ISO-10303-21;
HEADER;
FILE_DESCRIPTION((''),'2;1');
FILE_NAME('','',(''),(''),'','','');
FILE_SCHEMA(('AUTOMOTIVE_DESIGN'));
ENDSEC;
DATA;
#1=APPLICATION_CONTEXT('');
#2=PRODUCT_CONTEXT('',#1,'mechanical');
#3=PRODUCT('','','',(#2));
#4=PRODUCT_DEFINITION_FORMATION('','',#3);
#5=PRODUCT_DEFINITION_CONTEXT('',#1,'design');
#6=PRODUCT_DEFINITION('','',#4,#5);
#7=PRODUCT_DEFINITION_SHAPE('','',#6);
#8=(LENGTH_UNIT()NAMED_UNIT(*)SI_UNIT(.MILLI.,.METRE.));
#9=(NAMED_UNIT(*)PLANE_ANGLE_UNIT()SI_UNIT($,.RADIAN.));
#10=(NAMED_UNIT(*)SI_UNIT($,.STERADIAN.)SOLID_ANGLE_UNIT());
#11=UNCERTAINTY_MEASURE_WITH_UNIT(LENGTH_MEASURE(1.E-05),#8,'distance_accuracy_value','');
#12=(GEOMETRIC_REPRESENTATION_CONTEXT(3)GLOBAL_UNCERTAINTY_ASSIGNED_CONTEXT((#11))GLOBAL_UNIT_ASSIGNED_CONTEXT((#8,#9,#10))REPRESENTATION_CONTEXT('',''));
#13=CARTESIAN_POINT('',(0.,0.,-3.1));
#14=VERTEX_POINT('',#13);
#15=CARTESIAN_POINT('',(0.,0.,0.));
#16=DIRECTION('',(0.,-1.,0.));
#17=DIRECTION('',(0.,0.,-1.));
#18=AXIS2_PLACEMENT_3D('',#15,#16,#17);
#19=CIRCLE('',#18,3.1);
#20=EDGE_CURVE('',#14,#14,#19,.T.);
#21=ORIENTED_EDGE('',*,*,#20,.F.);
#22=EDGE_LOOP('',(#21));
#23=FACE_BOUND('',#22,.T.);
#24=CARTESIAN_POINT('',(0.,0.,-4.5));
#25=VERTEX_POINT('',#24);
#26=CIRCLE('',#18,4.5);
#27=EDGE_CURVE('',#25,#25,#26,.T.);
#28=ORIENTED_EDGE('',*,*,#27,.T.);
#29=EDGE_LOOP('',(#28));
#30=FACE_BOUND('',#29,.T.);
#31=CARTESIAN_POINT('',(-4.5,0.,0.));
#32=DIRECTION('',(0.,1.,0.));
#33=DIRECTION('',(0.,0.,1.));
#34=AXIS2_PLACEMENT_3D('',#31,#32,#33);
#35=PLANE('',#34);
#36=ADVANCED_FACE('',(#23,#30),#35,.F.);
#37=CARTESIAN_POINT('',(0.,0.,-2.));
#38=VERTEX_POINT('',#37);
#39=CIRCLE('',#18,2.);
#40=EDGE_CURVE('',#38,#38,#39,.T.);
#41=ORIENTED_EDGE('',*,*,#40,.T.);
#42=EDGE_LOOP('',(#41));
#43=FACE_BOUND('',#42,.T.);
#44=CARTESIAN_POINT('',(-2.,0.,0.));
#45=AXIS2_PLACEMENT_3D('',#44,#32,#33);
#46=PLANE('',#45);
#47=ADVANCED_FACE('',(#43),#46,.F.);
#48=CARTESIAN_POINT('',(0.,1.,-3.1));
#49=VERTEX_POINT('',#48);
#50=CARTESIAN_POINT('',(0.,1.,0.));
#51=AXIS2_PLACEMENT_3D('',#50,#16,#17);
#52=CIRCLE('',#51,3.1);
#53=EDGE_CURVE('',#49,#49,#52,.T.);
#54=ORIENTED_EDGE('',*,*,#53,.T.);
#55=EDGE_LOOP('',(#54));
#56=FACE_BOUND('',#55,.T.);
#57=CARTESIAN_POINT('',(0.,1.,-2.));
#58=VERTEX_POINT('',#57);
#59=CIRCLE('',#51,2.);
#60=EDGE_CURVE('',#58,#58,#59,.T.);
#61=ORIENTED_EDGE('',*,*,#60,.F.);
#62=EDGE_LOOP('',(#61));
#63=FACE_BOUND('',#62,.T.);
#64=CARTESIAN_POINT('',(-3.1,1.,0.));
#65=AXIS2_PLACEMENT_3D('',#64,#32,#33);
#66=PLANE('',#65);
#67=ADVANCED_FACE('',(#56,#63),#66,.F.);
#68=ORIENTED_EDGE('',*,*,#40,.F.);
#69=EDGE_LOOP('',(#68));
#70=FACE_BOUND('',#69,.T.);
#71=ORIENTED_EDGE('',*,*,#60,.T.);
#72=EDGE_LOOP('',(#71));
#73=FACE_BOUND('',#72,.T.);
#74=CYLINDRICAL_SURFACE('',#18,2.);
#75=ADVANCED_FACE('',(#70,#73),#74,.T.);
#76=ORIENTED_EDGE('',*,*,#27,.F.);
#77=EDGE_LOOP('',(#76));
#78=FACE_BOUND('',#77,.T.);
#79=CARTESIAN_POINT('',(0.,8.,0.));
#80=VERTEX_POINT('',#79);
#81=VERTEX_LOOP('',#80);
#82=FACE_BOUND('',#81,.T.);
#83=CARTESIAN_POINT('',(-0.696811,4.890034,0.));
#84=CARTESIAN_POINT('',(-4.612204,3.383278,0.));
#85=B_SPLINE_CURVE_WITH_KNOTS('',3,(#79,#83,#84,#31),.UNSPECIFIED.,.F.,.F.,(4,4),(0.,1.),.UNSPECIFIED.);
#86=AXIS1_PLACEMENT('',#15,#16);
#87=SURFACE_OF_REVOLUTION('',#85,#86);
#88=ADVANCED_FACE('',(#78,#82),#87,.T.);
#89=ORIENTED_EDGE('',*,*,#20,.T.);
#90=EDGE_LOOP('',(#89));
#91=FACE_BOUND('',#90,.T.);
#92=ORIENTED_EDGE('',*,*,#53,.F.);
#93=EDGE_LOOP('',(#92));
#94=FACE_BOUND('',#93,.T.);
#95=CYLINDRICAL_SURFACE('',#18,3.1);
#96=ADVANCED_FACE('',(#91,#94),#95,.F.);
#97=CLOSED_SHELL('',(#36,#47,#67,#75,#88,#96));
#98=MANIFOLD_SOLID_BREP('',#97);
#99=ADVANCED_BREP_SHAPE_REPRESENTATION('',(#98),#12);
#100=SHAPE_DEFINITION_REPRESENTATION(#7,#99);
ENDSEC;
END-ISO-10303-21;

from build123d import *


with BuildPart() as part:
    # Sketch1 → Revolve1 (revolve)
    with BuildSketch(Plane.XY, mode=Mode.PRIVATE) as revolve1_sk:
        with BuildLine():
            Line((-4.5, 0), (-3.1, 0))
            Line((-3.1, 0), (-3.1, 1))
            Line((-3.1, 1), (-2, 1))
            Line((-2, 1), (-2, 0))
            Line((-2, 0), (0, 0))
            Line((0, 0), (0, 8))
            add(Edge.make_bspline(
                [(-4.5, 0), (-4.612204197, 3.383278047), (-0.696810992, 4.890034472), (0, 8)],
                knots=[0, 0, 0, 0, 1, 1, 1, 1], degree=3))
        make_face()
    revolve(revolve1_sk.sketch.rotate(Axis((0, 0, 0), (0, 1, 0)), 270), axis=Axis((0, 0, 0), (0, 1, 0)))


solid = part.part
